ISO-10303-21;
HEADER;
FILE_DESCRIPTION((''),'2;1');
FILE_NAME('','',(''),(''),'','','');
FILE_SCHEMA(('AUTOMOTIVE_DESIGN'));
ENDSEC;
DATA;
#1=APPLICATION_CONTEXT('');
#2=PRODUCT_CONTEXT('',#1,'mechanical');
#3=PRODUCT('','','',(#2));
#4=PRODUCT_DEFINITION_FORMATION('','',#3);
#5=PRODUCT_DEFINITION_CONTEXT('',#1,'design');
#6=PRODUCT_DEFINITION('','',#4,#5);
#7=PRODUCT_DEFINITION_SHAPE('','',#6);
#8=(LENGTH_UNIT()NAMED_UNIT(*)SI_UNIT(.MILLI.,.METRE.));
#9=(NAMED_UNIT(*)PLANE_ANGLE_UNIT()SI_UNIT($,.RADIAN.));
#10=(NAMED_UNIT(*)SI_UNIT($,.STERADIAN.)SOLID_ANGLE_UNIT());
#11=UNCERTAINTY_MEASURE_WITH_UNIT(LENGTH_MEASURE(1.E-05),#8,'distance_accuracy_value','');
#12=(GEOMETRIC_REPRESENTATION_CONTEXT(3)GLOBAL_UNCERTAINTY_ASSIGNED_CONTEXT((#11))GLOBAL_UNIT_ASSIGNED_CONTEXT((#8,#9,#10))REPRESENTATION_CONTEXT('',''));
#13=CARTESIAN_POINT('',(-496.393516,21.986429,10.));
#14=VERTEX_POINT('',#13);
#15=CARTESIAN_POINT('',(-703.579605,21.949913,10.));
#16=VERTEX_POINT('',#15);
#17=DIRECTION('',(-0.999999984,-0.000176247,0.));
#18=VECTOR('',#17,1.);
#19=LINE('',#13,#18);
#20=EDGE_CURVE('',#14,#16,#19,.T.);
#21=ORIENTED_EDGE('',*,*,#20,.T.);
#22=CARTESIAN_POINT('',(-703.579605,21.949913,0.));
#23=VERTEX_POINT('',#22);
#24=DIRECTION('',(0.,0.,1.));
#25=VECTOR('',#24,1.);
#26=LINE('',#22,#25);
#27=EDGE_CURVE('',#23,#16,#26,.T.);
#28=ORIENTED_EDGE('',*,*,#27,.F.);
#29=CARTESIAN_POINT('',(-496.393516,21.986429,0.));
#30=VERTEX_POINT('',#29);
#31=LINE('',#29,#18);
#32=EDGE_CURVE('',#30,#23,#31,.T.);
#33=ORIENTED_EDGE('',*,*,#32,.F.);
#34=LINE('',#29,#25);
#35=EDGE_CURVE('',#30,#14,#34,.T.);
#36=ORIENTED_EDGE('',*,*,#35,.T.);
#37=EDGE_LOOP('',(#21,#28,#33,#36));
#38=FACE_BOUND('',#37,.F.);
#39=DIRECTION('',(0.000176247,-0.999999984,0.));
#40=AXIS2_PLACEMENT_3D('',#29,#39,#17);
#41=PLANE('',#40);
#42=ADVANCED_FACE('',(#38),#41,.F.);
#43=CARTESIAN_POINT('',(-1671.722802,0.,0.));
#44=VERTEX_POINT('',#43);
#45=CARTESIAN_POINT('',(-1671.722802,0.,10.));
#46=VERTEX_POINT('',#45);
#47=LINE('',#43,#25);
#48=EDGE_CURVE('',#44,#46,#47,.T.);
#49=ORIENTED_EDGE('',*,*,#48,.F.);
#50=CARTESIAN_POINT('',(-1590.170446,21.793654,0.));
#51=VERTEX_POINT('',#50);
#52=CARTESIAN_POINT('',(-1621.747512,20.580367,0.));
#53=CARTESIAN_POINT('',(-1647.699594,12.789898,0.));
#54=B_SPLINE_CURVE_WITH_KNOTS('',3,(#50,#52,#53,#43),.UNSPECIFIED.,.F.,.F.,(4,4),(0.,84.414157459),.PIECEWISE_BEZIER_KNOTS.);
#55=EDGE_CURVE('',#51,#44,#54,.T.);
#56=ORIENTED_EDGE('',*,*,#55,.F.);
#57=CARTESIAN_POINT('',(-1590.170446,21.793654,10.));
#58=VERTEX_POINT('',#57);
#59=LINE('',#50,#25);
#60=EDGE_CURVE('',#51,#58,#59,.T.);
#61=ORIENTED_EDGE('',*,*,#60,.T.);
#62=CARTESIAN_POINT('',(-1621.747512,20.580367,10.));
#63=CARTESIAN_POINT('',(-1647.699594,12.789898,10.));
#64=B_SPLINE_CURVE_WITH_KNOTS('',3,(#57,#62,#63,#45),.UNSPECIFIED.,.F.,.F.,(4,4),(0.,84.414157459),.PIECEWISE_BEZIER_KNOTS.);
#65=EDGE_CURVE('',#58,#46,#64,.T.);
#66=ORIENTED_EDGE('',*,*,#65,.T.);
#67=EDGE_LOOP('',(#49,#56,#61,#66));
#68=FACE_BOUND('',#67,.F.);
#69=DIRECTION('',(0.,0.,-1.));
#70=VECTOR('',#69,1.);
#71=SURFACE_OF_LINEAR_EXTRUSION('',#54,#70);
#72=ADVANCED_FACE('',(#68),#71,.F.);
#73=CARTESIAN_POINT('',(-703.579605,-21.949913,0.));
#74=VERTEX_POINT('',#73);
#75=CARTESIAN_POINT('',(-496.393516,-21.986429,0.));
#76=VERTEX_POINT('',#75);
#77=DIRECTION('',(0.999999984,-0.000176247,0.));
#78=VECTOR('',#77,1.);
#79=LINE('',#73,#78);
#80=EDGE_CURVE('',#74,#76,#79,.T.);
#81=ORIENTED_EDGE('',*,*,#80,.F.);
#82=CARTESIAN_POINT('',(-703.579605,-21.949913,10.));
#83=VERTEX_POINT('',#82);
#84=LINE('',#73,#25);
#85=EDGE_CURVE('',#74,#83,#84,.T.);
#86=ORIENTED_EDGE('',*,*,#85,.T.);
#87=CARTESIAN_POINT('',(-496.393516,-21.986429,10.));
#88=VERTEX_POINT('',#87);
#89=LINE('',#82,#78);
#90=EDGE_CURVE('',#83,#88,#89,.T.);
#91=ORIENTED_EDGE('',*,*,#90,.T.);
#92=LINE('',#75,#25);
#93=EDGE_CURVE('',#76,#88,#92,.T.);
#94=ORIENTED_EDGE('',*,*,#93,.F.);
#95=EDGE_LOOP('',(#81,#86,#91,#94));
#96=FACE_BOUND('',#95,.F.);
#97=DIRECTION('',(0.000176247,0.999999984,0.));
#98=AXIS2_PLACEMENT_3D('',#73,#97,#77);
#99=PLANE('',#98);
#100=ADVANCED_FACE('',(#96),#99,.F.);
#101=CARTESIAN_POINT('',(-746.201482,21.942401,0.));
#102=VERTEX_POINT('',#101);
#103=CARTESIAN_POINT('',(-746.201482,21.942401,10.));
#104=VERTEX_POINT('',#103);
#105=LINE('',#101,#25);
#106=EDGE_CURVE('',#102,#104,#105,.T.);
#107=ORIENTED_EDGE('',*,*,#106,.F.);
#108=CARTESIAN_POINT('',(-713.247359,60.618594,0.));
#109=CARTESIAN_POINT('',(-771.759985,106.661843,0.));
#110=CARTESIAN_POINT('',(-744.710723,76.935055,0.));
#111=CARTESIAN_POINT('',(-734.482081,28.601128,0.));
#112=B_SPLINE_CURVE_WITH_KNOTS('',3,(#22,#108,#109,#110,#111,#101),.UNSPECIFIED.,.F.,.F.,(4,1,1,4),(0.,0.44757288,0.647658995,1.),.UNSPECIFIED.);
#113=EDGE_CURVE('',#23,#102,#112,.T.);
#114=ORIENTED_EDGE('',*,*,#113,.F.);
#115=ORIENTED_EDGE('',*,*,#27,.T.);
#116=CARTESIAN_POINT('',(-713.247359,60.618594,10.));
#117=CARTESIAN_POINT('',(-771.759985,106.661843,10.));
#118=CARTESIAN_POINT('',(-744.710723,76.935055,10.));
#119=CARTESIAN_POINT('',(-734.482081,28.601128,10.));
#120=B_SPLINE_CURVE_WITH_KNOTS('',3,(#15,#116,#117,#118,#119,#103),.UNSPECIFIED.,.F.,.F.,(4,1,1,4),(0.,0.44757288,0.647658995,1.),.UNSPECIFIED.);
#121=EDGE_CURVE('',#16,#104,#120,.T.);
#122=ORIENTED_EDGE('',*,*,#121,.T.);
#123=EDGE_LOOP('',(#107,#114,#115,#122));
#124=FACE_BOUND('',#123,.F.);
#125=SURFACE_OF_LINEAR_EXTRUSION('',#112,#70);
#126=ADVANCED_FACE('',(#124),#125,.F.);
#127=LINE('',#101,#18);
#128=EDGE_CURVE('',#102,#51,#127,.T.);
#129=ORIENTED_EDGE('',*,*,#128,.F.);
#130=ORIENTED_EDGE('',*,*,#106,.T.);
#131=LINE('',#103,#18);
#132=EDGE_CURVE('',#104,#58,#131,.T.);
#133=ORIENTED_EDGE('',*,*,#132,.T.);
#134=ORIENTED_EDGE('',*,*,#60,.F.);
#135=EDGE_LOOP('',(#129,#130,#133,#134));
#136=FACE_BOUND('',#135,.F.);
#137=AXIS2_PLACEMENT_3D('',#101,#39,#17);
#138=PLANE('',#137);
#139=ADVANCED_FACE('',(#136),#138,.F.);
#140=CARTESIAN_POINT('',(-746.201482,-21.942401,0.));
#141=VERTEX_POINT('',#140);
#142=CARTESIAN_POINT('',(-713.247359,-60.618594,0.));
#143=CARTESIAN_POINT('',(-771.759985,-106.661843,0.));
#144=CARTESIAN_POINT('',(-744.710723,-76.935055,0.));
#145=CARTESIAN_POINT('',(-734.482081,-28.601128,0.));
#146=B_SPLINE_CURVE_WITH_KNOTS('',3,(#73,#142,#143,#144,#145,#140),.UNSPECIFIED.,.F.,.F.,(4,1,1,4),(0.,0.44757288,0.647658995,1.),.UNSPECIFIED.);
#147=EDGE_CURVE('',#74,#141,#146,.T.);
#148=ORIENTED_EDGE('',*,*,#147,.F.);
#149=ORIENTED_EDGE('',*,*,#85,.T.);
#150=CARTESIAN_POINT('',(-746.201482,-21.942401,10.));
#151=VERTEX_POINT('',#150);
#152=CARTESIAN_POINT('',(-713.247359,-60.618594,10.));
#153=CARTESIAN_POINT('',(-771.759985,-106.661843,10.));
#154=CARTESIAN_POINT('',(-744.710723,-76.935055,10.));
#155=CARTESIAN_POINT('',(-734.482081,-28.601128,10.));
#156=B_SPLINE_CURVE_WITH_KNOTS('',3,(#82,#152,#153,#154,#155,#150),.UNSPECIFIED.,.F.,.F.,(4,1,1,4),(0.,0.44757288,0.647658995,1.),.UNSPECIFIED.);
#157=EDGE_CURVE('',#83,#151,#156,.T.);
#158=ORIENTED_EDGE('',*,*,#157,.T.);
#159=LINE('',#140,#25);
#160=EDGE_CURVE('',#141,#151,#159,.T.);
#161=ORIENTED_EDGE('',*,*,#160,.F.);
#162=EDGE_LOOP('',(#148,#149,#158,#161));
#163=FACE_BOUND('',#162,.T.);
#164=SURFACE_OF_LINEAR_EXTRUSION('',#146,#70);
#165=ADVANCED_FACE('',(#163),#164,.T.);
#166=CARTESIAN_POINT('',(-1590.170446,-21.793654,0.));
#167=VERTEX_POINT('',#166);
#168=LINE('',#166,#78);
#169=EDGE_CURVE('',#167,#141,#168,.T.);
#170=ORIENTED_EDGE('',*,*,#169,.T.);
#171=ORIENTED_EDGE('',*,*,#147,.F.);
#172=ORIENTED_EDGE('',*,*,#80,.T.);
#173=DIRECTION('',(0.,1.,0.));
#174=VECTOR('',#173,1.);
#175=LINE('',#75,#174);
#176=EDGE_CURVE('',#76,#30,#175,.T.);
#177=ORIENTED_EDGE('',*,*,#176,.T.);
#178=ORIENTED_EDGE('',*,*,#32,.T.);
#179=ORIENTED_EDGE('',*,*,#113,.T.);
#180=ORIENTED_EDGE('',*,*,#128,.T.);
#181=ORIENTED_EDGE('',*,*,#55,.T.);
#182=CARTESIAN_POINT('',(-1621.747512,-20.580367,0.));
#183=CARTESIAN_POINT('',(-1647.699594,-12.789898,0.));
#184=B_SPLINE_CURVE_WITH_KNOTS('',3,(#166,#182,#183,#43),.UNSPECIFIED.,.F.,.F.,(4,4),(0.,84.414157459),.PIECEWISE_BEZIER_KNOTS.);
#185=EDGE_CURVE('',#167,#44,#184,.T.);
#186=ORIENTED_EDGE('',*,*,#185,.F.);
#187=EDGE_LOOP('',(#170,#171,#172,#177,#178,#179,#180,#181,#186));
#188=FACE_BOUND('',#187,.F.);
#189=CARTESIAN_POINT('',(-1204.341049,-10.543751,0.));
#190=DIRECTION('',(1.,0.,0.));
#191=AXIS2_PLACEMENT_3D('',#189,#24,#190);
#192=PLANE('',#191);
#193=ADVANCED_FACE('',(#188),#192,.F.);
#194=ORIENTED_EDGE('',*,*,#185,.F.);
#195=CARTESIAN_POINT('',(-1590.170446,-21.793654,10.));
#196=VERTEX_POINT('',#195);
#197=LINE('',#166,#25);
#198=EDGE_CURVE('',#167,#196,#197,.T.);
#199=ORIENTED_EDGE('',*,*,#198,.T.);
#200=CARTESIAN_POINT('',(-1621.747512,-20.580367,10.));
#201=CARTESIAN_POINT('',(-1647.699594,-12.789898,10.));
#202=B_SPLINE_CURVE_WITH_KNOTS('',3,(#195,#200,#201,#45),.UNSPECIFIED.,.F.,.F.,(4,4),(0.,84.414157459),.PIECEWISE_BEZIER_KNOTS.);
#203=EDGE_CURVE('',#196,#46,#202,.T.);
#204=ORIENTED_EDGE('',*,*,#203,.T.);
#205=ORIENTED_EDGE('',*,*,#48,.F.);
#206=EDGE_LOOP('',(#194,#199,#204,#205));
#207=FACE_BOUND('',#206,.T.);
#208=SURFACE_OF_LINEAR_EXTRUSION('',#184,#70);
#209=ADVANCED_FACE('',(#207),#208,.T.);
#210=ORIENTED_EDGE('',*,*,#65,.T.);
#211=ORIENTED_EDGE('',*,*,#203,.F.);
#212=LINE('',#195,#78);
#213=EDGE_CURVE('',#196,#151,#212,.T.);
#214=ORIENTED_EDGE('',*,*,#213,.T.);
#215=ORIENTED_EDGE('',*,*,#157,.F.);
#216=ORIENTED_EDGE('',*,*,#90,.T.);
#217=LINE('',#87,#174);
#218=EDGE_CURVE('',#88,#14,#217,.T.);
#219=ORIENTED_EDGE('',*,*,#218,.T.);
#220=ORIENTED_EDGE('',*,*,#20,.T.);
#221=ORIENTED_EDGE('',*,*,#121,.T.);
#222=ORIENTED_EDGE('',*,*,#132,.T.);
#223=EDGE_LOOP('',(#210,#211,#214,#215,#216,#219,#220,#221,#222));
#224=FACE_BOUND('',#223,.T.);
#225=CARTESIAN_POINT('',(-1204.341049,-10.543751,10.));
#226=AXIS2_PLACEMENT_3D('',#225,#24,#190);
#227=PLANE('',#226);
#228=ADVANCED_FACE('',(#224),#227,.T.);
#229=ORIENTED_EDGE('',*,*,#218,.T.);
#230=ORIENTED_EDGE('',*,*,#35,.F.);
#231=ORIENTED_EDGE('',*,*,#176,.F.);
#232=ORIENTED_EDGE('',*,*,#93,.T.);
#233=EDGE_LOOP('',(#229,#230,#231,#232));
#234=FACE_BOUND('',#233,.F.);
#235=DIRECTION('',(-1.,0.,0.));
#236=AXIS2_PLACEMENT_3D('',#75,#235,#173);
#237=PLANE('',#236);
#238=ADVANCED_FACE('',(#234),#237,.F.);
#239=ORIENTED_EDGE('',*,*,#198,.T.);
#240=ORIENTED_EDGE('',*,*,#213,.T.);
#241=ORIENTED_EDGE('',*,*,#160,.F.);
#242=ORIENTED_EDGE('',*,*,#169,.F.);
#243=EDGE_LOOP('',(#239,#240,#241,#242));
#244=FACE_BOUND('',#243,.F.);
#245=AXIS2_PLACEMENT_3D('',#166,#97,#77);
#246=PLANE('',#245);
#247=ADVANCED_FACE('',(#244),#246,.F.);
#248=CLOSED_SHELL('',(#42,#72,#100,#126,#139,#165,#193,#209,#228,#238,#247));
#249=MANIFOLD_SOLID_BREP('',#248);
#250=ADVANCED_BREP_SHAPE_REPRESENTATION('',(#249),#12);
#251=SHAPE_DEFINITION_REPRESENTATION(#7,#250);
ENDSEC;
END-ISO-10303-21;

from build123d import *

# Parameters (mm, degrees)
F1_DEPTH = 10


with BuildPart() as f1:
    # F0 (on Top) → F1 (new body)
    with BuildSketch(Plane.XY):
        with BuildLine():
            Line((-746.2014824996, -21.9424013641), (-746.2014824996, 0.163120584))
            Line((-746.2014824996, 0.163120584), (-1671.7228015584, 0))
            add(Edge.make_bspline(
                [(-1590.1704464854, -21.7936541582), (-1621.747511772, -20.5803674502), (-1647.6995944977, -12.7898976207), (-1671.7228015584, 0)],
                knots=[0, 0, 0, 0, 84.414157459, 84.414157459, 84.414157459, 84.414157459], degree=3))
            Line((-1590.1704464854, -21.7936541582), (-746.2014824996, -21.9424013641))
        make_face()
        with BuildLine():
            Line((-746.2014824996, 0.163120584), (-746.2014824996, 21.9424013641))
            Line((-746.2014824996, 21.9424013641), (-1590.1704464854, 21.7936541582))
            add(Edge.make_bspline(
                [(-1590.1704464854, 21.7936541582), (-1621.747511772, 20.5803674502), (-1647.6995944977, 12.7898976207), (-1671.7228015584, 0)],
                knots=[0, 0, 0, 0, 84.414157459, 84.414157459, 84.414157459, 84.414157459], degree=3))
            Line((-1671.7228015584, 0), (-746.2014824996, 0.163120584))
        make_face()
        with BuildLine():
            Line((-703.5796046257, -21.9499133527), (-703.5796046257, 21.9499133527))
            add(Edge.make_bspline(
                [(-703.5796046257, 21.9499133527), (-713.2473588084, 60.6185943622), (-771.759985442, 106.6618434846), (-744.7107225414, 76.935054651), (-734.482080849, 28.6011280639), (-746.2014824996, 21.9424013641)],
                knots=[0, 0, 0, 0, 0.44757288, 0.647658995, 1, 1, 1, 1], degree=3))
            Line((-746.2014824996, 21.9424013641), (-746.2014824996, 0.163120584))
            Line((-746.2014824996, 0.163120584), (-746.2014824996, -21.9424013641))
            add(Edge.make_bspline(
                [(-703.5796046257, -21.9499133527), (-713.2473588084, -60.6185943622), (-771.759985442, -106.6618434846), (-744.7107225414, -76.935054651), (-734.482080849, -28.6011280639), (-746.2014824996, -21.9424013641)],
                knots=[0, 0, 0, 0, 0.44757288, 0.647658995, 1, 1, 1, 1], degree=3))
        make_face()
        Polygon((-496.3935155313, -21.9864293304), (-496.3935155313, 21.9864293304), (-703.5796046257, 21.9499133527), (-703.5796046257, -21.9499133527), align=None)
    extrude(amount=F1_DEPTH)


solid = f1.part
